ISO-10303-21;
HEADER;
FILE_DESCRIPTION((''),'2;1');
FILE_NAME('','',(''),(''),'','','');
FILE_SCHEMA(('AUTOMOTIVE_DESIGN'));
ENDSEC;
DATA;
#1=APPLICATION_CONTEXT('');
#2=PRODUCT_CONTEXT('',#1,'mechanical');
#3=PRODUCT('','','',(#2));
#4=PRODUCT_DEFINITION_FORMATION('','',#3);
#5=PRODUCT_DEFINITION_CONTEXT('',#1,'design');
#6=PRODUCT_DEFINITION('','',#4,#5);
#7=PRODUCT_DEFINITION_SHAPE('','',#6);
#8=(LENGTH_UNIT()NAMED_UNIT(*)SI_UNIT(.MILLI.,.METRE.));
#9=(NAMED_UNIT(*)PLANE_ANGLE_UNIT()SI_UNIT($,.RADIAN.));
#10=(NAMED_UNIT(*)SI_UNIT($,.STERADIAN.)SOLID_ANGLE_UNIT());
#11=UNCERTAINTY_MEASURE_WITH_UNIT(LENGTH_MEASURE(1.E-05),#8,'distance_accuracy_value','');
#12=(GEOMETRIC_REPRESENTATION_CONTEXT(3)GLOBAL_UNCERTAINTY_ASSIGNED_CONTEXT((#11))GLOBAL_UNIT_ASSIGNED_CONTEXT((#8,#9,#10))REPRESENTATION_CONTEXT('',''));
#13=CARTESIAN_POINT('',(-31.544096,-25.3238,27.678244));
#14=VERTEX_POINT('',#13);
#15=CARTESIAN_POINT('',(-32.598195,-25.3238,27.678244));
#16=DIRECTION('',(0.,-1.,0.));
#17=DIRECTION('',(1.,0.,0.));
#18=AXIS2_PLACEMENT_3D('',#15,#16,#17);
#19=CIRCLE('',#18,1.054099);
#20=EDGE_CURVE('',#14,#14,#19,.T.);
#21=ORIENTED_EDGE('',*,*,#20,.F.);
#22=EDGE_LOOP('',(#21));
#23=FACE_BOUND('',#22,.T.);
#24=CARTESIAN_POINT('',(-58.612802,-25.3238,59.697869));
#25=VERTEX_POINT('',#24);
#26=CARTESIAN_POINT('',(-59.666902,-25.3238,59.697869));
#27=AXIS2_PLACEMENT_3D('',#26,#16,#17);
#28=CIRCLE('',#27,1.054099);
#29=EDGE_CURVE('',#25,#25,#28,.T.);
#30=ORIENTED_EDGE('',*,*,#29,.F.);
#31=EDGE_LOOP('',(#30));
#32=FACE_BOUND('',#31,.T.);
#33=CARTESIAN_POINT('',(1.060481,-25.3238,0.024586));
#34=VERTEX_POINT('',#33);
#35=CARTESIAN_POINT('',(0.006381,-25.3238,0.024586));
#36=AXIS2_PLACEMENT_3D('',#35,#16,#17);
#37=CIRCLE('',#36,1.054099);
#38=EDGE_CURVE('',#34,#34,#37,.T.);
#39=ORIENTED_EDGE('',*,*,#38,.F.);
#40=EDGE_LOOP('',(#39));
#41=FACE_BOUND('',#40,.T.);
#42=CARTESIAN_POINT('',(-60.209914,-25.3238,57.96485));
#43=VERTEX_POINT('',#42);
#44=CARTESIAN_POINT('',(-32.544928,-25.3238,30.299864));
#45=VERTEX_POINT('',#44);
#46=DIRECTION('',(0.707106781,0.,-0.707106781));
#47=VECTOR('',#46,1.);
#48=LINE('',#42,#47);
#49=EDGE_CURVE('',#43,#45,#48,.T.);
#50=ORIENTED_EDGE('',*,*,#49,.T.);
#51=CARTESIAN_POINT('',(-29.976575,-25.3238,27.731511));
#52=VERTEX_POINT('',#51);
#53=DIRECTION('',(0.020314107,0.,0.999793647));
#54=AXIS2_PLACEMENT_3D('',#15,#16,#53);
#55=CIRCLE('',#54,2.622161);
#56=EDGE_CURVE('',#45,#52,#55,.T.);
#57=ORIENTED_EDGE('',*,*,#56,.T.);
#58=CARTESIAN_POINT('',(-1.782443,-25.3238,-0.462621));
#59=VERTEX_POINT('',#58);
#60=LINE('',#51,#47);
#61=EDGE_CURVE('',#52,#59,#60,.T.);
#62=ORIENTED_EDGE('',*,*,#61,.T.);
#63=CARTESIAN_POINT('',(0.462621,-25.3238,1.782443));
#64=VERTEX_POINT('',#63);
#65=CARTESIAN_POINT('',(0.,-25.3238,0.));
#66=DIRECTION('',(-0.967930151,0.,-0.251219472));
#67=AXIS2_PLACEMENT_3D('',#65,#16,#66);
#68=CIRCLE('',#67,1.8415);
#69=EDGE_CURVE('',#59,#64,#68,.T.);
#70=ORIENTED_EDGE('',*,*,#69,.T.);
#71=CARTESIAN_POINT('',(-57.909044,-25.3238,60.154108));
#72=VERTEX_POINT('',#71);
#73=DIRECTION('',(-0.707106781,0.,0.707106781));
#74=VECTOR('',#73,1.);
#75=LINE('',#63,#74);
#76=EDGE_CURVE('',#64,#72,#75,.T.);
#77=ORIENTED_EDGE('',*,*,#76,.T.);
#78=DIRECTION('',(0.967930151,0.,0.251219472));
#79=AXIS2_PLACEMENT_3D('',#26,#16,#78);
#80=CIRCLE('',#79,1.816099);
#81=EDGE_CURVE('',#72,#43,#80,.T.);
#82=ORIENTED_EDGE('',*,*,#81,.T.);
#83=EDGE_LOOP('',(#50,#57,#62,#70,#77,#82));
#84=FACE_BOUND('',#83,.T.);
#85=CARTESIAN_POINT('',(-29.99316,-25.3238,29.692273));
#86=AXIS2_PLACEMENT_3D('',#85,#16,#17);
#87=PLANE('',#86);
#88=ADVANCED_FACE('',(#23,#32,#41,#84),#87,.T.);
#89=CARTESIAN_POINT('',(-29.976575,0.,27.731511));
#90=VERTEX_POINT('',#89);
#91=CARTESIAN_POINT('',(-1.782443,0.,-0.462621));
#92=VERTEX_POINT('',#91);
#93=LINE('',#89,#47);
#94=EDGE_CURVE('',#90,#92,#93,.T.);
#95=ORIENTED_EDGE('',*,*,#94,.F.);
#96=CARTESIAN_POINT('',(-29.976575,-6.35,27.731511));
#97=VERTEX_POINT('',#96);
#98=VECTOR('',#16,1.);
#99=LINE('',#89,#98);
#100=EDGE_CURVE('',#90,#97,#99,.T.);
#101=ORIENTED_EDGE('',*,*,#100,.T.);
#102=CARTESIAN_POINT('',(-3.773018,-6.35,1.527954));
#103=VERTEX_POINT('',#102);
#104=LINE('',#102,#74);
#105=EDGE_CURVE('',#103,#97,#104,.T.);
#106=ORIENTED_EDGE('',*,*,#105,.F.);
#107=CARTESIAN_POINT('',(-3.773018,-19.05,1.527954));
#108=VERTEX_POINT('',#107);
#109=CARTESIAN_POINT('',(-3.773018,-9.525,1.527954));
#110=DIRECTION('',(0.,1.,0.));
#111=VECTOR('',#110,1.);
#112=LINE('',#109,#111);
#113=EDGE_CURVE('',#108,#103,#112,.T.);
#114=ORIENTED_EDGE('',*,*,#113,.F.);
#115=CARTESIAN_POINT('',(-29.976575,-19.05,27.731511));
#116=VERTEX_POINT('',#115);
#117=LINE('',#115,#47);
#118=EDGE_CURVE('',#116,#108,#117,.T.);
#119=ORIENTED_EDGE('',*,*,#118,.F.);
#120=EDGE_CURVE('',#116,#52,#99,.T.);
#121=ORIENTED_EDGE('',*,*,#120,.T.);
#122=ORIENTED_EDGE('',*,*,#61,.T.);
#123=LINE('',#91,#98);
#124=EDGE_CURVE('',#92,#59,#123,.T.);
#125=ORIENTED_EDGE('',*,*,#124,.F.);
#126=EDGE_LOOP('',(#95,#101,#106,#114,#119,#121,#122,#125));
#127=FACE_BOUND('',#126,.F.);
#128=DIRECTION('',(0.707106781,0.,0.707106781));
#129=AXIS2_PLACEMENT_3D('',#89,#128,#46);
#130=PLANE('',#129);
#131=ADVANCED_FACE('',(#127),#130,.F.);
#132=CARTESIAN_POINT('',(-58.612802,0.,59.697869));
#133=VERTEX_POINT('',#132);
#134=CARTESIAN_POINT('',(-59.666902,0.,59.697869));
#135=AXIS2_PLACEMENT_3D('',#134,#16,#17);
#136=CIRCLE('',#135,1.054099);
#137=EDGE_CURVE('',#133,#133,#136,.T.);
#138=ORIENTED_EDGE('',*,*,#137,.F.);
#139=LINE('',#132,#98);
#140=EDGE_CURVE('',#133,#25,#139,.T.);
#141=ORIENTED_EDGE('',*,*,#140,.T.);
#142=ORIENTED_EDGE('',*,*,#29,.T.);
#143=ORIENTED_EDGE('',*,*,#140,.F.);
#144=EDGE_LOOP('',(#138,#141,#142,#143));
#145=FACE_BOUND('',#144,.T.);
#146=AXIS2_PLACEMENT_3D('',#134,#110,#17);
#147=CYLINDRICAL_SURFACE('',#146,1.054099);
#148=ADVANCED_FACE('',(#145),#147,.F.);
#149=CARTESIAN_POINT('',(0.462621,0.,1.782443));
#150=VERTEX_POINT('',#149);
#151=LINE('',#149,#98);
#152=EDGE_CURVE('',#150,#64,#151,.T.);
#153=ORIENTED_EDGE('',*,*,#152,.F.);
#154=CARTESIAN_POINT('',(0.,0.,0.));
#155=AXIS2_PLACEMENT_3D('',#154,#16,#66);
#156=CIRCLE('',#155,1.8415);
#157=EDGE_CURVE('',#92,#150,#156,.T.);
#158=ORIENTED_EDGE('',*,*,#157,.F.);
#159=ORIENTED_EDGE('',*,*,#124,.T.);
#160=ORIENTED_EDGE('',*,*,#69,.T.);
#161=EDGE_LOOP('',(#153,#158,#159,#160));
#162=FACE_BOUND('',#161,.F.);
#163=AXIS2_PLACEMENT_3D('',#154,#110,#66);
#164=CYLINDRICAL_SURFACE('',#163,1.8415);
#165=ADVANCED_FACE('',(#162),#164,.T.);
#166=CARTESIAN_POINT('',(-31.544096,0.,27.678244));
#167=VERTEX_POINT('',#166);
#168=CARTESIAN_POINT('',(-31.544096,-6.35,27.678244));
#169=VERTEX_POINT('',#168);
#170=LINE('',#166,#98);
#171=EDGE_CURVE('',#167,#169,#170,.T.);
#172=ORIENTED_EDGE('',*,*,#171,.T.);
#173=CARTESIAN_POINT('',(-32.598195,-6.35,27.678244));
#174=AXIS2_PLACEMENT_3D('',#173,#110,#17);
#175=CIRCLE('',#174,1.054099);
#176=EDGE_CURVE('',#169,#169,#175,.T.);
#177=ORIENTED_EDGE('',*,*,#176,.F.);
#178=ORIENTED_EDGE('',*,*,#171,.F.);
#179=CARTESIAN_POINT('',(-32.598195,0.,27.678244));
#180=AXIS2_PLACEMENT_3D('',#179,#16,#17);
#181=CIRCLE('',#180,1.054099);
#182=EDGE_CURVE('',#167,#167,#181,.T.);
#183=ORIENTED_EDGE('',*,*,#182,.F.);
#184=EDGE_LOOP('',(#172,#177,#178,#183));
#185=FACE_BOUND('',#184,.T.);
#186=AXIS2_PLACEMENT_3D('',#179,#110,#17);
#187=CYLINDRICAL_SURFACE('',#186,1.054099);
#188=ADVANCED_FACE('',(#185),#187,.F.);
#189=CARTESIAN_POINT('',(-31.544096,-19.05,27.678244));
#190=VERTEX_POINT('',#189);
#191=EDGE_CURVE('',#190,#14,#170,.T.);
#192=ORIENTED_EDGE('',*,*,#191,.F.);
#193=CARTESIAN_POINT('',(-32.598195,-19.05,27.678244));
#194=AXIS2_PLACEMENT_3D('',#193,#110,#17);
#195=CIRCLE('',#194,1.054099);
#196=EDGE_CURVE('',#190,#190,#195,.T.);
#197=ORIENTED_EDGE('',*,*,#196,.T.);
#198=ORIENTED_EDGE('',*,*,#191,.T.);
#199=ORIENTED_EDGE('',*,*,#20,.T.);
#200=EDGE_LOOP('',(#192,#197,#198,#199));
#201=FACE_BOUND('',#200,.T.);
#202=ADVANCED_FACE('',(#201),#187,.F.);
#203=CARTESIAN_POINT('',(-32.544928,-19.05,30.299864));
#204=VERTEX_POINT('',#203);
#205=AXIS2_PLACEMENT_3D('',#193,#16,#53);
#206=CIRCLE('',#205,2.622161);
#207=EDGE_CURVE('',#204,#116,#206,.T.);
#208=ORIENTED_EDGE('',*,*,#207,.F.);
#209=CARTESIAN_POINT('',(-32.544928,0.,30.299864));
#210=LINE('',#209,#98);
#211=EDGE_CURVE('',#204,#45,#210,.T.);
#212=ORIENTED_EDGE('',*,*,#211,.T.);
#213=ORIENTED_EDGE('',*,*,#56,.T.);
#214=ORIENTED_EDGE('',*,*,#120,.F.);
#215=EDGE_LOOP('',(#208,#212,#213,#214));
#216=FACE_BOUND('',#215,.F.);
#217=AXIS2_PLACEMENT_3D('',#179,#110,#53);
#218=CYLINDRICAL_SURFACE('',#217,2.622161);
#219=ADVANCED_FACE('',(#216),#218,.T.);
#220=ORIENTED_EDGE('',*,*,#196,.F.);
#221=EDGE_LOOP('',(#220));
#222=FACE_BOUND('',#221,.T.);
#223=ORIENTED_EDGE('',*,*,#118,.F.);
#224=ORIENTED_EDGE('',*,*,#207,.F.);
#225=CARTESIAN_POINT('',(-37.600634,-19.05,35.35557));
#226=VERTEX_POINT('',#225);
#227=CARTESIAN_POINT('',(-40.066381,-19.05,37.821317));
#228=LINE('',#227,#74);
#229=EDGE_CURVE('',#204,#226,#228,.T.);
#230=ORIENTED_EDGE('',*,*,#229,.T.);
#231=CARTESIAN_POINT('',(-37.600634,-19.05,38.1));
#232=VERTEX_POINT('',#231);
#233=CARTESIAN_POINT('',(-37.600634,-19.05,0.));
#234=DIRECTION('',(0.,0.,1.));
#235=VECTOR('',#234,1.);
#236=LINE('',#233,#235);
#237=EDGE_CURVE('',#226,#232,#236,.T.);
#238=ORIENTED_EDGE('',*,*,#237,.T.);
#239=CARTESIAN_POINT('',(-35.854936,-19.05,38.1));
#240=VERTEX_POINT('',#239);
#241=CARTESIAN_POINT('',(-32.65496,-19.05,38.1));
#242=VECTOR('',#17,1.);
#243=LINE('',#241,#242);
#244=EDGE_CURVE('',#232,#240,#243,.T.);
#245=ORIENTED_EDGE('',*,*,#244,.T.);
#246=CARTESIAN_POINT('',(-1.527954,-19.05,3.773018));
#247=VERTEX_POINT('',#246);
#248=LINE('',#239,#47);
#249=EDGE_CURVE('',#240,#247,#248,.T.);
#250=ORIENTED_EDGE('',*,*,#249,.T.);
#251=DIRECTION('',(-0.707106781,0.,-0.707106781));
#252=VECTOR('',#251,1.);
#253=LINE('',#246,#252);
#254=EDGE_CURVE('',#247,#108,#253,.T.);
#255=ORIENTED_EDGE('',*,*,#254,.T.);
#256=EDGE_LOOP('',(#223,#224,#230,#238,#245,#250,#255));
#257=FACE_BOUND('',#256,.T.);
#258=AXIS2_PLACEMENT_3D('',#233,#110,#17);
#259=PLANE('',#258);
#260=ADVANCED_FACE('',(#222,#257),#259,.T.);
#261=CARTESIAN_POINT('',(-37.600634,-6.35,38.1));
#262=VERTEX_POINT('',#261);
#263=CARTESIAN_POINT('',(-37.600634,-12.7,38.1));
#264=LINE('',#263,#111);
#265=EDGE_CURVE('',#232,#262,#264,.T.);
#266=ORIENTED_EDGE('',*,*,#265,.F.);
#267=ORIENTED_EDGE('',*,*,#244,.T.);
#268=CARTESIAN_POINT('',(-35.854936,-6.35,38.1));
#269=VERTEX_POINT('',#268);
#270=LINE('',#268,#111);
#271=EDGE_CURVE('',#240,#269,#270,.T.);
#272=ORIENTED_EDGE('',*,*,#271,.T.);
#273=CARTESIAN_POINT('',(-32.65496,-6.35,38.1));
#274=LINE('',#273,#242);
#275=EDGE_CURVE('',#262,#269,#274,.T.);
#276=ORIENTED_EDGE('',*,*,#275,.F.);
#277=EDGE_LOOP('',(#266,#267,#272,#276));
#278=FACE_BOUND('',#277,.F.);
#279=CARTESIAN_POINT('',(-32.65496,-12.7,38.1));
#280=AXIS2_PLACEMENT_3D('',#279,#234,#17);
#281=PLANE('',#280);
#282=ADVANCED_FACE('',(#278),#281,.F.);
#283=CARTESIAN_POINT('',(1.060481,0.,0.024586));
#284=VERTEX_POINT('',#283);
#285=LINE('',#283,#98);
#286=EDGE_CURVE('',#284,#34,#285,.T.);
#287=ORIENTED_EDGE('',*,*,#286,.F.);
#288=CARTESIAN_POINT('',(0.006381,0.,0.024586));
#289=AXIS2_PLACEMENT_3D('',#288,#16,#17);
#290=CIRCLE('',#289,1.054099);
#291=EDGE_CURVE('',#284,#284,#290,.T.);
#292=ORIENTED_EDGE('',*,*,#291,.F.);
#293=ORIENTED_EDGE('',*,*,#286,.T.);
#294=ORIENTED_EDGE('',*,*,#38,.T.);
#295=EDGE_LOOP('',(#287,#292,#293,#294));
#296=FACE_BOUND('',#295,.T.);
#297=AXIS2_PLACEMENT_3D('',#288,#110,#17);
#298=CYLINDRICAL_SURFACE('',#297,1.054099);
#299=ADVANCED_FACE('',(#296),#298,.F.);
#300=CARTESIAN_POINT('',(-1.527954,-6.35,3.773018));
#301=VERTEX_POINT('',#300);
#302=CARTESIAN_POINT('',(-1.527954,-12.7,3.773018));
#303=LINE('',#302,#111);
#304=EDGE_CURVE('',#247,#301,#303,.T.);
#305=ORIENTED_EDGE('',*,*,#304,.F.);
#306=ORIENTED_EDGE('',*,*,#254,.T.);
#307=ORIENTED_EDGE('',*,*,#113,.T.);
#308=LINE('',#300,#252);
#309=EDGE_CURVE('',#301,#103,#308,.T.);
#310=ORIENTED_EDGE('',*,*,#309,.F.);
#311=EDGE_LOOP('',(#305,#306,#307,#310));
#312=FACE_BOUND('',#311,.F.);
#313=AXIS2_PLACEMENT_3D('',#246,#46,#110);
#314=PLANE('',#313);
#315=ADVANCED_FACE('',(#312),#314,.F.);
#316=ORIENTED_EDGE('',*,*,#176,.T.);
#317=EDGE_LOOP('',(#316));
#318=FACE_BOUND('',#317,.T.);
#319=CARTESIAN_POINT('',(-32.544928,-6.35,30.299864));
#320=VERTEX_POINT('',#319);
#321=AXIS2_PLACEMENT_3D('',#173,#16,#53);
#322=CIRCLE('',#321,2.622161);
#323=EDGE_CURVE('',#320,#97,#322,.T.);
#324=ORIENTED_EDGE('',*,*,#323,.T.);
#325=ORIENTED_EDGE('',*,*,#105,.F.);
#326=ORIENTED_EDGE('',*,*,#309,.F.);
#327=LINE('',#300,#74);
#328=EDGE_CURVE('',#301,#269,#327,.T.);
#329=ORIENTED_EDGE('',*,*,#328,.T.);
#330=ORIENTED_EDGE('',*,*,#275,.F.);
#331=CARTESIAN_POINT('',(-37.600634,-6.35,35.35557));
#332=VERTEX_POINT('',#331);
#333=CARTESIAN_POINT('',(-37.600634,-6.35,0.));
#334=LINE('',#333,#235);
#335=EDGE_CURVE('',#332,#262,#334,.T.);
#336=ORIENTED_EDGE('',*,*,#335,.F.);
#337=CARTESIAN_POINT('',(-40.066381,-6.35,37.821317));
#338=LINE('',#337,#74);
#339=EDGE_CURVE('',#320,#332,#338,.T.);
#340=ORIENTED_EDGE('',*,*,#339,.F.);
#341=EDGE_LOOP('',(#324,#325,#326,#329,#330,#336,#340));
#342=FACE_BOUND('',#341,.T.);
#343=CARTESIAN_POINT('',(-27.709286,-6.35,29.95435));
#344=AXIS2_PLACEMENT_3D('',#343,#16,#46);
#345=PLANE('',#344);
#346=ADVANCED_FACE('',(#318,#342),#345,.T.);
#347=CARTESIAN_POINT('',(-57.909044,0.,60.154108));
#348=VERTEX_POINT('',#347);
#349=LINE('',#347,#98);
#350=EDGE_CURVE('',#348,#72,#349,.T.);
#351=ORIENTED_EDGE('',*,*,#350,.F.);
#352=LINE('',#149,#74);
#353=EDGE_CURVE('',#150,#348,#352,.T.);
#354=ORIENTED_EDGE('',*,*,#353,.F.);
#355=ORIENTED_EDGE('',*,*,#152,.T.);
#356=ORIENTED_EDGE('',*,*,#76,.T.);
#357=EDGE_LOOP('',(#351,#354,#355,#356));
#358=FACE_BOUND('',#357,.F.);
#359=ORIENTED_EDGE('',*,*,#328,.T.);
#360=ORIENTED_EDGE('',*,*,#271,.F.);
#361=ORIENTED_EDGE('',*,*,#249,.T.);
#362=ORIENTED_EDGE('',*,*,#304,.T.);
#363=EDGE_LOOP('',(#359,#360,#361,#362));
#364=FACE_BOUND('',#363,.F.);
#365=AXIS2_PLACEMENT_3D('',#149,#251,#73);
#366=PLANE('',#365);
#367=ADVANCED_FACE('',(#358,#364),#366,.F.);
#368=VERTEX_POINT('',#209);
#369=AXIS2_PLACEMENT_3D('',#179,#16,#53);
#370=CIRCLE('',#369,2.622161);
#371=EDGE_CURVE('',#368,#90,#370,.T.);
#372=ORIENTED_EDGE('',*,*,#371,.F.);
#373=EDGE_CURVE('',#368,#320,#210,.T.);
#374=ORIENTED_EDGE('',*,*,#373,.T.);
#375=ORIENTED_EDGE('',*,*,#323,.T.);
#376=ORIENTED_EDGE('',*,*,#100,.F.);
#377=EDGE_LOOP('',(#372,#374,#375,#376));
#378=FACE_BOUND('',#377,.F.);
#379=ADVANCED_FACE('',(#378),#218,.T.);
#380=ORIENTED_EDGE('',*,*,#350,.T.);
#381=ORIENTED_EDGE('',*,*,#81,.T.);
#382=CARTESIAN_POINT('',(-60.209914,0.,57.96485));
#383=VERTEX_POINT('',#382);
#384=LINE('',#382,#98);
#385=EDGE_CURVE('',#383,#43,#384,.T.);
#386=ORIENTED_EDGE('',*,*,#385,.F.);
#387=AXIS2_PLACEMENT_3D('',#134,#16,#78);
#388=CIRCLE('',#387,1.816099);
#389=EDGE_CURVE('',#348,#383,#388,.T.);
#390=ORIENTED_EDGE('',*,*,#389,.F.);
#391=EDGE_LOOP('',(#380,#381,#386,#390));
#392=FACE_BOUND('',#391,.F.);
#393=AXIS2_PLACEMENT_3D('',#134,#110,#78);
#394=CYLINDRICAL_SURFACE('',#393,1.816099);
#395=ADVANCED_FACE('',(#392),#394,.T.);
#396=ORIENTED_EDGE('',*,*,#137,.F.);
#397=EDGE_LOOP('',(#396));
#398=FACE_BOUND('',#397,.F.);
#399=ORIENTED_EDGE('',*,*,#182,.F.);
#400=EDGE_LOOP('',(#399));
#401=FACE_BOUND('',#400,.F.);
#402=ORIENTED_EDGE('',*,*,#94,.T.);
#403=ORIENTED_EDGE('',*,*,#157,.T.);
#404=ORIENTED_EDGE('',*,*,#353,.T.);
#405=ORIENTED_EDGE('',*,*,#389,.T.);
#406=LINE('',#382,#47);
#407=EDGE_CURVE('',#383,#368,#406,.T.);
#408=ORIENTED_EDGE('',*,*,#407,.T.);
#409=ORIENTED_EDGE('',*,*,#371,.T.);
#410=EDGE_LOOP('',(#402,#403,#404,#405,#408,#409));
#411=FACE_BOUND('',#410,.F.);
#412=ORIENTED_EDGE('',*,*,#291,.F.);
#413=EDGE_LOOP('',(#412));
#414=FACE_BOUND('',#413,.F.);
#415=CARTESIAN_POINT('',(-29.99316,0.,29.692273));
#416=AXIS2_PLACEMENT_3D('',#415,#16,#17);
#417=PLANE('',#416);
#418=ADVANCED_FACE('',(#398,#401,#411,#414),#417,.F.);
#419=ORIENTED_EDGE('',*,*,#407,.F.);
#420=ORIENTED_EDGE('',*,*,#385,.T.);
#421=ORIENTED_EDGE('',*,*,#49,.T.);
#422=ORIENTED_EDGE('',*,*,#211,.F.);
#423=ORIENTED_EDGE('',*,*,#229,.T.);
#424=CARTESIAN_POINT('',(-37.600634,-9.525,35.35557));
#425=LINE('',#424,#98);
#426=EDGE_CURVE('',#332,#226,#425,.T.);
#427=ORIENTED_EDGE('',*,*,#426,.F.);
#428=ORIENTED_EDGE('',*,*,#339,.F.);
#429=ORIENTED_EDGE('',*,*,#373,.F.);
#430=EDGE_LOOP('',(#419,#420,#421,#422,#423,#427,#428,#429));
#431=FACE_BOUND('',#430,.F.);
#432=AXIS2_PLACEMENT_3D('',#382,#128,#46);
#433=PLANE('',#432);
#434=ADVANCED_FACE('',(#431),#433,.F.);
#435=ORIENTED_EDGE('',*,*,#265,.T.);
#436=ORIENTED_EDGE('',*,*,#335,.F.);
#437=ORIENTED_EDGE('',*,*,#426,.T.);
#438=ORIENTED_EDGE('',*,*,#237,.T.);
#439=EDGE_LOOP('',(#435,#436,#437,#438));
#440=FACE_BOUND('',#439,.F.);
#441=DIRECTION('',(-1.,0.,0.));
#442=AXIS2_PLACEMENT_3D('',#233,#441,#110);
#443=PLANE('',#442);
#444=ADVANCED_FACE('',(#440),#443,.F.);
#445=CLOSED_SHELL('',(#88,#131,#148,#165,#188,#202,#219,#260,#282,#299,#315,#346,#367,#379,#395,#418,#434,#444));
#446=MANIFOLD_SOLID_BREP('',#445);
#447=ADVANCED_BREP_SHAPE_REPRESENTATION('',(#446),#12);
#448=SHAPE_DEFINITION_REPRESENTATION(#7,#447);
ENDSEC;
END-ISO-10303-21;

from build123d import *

# Parameters (mm, degrees)
F0_R     = 1.0540994518
F1_DEPTH = 25.3238
F2_W     = 9.8913477779
F2_H     = 12.7
F3_DEPTH = 38.1
F4_W     = 37.0259946046
F4_H     = 12.7
F5_DEPTH = 25.4


with BuildPart() as f1:
    # F0 (on Front) → F1 (new body)
    with BuildSketch(Plane.XZ):
        with BuildLine():
            Line((-29.976574955, 27.7315109247), (-1.7824433728, -0.4626206574))
            ThreePointArc((-1.7824433728, -0.4626206574), (1.3021371376, -1.3021371376), (0.4626206574, 1.7824433728))
            Line((0.4626206574, 1.7824433728), (-57.9090441295, 60.1541081598))
            ThreePointArc((-57.9090441295, 60.1541081598), (-60.9187704252, 61.0135591282), (-60.2099135505, 57.9648495203))
            Line((-60.2099135505, 57.9648495203), (-32.5449282056, 30.2998641753))
            ThreePointArc((-32.5449282056, 30.2998641753), (-34.4523430384, 25.8240960919), (-29.976574955, 27.7315109247))
        make_face()
        with Locations((-32.5981950693, 27.678244061)):
            Circle(F0_R, mode=Mode.SUBTRACT)
        with Locations((0.0063811123, 0.0245859565)):
            Circle(F0_R, mode=Mode.SUBTRACT)
        with Locations((-59.6669015458, 59.6978686146)):
            Circle(F0_R, mode=Mode.SUBTRACT)
    extrude(amount=F1_DEPTH)

    # F2 (on Top) → F3 (cut)
    with BuildSketch(Plane.XY):
        with Locations((-32.6549597085, -12.7)):
            Rectangle(F2_W, F2_H)
    extrude(amount=F3_DEPTH, mode=Mode.SUBTRACT)

    # F4 (on face) → F5 (cut)
    with BuildSketch(Plane(origin=(1.1225320151, 0, 1.1225320151), x_dir=(0.7071067812, 0, -0.7071067812), z_dir=(0.7071067812, 0, 0.7071067812))):
        with Locations((-22.2613505073, -12.7)):
            Rectangle(F4_W, F4_H)
    extrude(amount=-F5_DEPTH, mode=Mode.SUBTRACT)


solid = f1.part
